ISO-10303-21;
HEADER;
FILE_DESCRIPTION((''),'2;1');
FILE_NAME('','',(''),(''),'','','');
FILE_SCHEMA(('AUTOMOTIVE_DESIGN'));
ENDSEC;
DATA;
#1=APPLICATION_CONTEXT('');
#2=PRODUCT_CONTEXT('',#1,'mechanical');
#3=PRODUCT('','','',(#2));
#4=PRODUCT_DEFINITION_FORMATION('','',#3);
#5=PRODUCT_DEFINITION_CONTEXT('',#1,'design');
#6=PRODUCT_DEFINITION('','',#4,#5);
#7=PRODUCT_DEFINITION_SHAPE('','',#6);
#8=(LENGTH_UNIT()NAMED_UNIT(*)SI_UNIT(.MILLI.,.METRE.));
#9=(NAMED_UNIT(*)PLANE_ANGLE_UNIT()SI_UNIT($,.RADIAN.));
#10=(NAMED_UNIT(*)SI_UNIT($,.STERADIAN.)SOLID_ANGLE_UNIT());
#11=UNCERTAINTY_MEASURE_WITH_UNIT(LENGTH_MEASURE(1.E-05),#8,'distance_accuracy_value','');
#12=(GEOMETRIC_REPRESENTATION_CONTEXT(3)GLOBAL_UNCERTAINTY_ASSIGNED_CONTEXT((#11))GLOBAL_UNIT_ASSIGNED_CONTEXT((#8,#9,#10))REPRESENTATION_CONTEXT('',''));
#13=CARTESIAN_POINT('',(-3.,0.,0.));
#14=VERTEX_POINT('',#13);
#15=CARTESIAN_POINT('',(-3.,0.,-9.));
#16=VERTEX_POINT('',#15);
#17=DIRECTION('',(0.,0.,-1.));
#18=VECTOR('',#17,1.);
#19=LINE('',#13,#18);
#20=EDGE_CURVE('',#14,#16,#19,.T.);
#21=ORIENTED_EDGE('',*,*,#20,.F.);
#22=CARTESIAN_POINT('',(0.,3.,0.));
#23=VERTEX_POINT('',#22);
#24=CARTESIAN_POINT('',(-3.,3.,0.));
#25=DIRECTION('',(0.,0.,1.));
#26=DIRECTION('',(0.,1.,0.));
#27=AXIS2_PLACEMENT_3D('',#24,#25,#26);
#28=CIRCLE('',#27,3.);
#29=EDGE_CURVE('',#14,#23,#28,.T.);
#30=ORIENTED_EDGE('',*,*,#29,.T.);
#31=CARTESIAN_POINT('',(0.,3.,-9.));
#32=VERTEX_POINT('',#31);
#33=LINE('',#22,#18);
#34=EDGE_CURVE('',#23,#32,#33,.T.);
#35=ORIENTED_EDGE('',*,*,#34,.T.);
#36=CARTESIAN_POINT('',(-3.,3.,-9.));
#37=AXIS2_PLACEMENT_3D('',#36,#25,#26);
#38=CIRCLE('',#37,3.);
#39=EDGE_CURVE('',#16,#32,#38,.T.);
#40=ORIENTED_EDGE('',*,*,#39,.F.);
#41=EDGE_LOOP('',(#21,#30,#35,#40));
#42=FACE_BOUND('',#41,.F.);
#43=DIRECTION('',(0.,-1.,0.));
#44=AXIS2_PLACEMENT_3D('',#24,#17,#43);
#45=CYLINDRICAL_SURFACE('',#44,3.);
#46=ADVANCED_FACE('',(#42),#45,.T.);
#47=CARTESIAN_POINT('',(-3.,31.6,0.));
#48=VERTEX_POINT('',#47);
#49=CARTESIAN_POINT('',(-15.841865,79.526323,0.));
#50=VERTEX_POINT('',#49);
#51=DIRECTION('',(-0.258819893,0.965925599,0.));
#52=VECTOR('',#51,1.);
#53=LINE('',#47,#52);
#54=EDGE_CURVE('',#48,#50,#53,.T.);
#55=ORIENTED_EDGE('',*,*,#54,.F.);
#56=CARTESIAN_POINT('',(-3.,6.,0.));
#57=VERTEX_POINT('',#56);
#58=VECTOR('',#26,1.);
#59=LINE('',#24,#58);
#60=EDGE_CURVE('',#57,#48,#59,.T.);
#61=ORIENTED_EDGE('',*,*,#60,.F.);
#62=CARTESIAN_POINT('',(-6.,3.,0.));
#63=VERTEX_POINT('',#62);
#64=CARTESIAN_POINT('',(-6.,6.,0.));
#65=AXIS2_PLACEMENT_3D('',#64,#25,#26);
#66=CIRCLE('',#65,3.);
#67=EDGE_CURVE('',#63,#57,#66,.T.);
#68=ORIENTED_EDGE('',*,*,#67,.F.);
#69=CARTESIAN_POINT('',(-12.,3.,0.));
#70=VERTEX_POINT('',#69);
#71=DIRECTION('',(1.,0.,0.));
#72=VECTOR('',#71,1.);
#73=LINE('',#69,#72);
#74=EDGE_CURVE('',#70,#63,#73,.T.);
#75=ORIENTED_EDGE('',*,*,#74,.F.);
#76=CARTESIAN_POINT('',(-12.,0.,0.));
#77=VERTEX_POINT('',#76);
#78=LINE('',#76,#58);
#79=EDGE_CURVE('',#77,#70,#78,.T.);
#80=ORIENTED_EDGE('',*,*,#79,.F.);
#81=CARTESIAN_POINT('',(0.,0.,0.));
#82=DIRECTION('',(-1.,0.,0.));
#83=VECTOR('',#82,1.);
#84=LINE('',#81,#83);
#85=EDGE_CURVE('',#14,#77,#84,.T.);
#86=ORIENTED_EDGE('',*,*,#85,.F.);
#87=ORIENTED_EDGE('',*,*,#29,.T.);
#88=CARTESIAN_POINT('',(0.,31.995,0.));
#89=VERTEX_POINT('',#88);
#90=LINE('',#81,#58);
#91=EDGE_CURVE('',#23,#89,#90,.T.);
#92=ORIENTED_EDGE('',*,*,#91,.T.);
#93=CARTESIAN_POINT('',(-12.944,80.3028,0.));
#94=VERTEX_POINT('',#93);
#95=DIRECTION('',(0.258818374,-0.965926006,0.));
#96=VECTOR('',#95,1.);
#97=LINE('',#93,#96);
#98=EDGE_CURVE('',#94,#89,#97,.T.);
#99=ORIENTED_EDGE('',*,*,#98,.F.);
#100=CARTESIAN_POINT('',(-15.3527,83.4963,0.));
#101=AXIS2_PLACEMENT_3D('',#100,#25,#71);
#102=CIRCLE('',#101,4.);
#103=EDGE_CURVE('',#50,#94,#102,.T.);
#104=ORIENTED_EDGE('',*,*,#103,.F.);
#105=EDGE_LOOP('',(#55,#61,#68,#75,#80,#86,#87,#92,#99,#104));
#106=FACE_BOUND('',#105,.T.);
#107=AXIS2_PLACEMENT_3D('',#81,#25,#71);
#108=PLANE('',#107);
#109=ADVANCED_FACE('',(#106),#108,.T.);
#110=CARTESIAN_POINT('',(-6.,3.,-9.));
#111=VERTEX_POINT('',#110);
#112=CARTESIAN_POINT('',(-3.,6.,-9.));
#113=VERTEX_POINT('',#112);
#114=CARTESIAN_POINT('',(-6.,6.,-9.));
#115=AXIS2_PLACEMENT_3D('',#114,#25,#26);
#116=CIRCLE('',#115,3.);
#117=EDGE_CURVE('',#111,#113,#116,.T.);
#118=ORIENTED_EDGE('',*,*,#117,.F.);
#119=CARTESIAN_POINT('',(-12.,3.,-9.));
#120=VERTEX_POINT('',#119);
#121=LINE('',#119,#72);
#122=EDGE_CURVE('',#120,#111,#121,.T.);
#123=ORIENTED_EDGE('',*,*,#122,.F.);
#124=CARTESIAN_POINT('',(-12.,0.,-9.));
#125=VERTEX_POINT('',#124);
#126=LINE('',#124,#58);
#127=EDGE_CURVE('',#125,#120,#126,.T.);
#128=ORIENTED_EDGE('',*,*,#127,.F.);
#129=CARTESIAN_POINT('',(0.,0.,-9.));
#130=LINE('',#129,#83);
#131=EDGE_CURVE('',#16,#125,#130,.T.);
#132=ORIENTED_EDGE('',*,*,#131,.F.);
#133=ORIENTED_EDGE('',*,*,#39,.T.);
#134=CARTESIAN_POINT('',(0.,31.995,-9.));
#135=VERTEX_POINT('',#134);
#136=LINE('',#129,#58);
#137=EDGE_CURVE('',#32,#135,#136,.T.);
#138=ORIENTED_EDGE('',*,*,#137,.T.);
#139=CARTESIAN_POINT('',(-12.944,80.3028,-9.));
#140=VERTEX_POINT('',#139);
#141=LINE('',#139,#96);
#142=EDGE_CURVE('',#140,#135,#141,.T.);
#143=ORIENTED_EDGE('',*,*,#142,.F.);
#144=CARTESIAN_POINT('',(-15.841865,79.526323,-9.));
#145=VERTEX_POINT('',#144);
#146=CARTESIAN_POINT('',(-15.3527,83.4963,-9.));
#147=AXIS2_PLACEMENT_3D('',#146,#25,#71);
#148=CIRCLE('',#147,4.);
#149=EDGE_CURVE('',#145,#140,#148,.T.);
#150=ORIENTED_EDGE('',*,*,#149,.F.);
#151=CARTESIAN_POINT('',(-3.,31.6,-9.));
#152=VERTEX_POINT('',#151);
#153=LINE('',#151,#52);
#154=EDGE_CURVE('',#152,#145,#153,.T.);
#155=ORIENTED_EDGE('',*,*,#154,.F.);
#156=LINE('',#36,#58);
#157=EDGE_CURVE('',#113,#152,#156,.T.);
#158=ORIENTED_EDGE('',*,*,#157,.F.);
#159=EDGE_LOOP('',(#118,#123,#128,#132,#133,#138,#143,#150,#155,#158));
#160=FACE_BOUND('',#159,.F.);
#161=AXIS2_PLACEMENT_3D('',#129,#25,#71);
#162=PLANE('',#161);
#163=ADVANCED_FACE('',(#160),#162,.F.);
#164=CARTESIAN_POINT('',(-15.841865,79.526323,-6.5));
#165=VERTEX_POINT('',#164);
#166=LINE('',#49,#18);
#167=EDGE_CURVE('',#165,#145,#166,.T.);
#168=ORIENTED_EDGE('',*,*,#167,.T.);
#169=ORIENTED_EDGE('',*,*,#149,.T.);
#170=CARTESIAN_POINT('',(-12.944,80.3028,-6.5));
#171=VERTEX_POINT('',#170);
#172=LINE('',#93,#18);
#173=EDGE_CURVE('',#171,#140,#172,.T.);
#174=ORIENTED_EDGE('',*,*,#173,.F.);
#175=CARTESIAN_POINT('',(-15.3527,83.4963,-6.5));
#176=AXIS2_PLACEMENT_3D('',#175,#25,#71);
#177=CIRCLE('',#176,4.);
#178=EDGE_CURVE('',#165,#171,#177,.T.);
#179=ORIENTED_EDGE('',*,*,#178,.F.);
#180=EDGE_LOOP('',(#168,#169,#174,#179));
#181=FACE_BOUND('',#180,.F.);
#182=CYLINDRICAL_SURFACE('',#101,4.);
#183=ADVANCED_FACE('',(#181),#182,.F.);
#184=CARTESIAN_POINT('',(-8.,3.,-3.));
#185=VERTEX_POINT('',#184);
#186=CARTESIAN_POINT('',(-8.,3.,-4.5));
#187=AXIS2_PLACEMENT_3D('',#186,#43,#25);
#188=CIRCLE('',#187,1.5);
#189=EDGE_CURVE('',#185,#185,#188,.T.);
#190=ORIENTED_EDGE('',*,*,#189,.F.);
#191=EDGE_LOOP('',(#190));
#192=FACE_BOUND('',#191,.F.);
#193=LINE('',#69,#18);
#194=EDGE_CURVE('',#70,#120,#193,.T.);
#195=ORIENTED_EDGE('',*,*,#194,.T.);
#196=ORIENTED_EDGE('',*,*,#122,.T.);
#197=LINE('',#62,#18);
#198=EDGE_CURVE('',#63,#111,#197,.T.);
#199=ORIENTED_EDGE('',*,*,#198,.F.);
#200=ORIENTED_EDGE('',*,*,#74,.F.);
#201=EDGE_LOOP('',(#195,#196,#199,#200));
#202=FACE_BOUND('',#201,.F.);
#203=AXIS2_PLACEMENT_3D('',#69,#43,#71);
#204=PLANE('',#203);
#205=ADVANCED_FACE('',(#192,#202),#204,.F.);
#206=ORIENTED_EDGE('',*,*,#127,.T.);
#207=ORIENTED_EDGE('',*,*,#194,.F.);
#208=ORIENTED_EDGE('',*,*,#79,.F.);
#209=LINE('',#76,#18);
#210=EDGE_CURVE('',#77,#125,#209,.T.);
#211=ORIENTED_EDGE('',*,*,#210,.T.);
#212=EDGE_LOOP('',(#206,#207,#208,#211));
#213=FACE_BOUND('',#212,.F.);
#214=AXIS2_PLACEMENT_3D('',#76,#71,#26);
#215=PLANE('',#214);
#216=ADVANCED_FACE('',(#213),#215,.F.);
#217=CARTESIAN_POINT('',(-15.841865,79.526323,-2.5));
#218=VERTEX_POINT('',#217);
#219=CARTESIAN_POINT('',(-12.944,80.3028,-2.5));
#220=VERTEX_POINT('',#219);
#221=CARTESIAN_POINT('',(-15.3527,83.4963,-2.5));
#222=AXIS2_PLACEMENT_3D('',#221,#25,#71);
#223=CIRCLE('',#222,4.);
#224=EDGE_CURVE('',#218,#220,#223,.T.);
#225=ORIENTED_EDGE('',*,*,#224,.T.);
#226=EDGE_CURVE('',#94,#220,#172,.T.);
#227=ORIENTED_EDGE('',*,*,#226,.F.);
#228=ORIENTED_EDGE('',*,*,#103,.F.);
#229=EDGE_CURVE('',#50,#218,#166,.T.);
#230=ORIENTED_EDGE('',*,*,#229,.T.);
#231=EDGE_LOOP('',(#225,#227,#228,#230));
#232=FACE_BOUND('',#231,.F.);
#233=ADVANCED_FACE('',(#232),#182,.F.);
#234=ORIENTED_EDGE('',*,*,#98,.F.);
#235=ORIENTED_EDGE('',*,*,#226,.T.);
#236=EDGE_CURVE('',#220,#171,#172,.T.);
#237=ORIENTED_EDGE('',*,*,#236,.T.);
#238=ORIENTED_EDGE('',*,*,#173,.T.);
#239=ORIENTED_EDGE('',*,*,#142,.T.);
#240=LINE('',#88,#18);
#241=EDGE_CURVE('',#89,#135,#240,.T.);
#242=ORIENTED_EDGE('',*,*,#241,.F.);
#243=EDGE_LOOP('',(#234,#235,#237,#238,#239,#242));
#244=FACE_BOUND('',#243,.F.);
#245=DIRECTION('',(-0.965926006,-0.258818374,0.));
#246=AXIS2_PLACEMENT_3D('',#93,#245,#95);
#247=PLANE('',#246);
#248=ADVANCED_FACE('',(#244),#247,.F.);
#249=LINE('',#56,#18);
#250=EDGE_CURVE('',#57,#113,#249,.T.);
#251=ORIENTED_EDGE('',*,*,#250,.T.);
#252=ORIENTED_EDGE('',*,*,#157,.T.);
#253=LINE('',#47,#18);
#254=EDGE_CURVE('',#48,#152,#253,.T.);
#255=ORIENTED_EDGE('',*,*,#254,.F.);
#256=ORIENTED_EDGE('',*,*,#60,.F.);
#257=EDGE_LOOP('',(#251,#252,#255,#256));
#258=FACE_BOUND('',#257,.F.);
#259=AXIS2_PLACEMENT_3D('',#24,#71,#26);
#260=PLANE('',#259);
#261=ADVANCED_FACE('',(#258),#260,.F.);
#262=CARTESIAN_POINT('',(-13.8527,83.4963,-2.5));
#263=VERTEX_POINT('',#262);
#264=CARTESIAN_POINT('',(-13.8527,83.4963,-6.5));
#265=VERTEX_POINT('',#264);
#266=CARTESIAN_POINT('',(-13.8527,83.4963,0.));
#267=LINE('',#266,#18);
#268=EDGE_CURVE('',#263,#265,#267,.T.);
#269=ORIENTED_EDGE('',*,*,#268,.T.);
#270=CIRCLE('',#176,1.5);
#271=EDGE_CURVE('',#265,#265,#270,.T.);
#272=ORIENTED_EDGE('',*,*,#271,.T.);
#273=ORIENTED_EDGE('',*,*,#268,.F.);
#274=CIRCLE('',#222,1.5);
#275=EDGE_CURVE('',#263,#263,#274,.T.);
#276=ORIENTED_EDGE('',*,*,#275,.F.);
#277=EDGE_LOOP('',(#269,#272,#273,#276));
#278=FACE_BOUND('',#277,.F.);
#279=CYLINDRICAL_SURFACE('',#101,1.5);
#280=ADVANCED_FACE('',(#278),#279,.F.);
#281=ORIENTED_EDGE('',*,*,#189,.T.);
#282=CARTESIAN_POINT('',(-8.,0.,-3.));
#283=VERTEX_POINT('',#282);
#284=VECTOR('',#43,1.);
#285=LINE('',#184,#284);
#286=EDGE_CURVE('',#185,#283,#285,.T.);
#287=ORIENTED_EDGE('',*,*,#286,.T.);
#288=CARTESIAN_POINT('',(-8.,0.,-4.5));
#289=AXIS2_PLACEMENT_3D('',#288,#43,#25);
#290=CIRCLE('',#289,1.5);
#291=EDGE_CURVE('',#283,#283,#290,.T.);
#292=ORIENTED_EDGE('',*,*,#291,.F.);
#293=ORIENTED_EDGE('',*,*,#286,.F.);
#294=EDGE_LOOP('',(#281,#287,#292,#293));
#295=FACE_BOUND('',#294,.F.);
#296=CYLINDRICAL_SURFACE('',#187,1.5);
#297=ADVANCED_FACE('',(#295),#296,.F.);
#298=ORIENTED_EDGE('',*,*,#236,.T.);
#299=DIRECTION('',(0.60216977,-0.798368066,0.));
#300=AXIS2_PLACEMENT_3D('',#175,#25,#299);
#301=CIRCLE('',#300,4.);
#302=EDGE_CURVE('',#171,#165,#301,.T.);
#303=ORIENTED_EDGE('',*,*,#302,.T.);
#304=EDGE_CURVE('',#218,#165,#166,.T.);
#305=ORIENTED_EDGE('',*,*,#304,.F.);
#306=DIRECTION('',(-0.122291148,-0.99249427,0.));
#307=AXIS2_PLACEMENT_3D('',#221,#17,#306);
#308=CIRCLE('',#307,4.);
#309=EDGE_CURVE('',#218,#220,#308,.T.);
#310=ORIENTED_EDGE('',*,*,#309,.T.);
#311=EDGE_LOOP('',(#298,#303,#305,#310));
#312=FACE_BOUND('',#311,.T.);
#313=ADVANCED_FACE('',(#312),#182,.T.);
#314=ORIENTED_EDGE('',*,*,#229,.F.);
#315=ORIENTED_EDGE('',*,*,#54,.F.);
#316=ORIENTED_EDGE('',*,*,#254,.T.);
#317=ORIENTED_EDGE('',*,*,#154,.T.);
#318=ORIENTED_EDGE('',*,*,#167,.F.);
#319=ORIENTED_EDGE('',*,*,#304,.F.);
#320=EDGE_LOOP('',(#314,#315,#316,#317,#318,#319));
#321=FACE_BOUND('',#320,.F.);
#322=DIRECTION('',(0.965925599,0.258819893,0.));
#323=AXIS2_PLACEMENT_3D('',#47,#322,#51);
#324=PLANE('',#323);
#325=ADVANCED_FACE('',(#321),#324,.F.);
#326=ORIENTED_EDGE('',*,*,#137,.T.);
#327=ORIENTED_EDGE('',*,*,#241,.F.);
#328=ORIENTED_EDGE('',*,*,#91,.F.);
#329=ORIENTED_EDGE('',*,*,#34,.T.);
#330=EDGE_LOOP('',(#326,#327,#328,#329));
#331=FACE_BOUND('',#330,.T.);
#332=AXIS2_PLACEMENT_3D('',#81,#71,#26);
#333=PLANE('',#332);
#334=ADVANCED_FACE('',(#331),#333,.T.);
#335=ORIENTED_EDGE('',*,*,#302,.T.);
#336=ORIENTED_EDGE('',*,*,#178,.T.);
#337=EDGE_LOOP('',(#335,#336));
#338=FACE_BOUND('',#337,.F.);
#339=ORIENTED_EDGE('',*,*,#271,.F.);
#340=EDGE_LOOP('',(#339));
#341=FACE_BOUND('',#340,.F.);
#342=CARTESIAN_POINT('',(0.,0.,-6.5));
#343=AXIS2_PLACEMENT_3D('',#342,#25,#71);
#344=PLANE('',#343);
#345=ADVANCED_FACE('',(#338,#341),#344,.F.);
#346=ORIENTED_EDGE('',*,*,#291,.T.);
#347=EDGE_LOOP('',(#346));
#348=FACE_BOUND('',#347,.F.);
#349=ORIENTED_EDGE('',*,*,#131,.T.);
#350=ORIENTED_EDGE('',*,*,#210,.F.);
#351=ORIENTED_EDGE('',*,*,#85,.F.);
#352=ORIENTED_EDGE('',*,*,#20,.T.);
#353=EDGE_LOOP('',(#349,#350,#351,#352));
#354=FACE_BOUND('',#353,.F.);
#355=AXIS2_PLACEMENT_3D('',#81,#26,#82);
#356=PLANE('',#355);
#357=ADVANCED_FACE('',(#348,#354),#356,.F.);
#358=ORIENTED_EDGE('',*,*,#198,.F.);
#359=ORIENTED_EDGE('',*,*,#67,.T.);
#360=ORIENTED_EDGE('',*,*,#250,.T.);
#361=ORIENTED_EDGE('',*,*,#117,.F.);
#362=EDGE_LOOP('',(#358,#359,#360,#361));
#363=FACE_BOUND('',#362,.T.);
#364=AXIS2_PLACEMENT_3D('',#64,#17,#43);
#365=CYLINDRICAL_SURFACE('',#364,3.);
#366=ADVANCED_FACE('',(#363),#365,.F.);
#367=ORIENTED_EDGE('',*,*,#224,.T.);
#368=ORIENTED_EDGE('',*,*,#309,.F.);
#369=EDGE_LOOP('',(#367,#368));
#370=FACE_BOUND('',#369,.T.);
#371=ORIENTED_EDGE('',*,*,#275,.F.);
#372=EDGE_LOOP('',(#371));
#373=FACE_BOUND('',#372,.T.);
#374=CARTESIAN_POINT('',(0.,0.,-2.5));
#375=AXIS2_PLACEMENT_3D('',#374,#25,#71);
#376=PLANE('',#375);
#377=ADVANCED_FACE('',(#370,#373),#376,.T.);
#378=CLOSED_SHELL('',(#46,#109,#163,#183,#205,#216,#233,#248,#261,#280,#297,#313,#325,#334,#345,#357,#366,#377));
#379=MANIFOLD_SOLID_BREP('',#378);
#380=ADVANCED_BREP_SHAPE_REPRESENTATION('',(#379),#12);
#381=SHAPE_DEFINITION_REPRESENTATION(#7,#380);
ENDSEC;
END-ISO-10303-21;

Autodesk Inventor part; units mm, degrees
ref_plane "YZ Plane" through (0, 0, 0) normal (1, 0, 0) x (0, 1, 0)
ref_plane "XZ Plane" through (0, 0, 0) normal (0, 1, 0) x (-1, 0, 0)
ref_plane "XY Plane" through (0, 0, 0) normal (0, 0, 1) x (1, 0, 0)
sketch "Sketch1" plane through (0, 0, 0) normal (0, 0, 1) x (1, 0, 0)
  line L0 (0, 0) -> (0, 31.995)
  line L1 (0, 0) -> (-12, 0)
  line L2 (-12, 0) -> (-12, 3)
  line L3 (-12, 3) -> (-3, 3)
  line L4 (-3, 3) -> (-3, 31.6)
  line L5 (-3, 31.6) -> (-15.941, 79.8963)
  line L6 (-12.944, 80.3028) -> (0, 31.995)
  circle A0 centre (-15.3527, 83.4963) radius 4
  circle A1 centre (-15.3527, 83.4963) radius 1.5
  point P0 (-15.8418, 79.5263)
  dimension "d31" = 8
  dimension "d1" = 3
  dimension "d2" = 3
  dimension "d3" = 9
  dimension "d4" = 28.6
  dimension "d27" = 165
  dimension "d28" = 3
  dimension "d29" = 50
  dimension "d32" = 1.5
  dimension "d34" = 3.6
  dimension "d35" = 3
extrude "Extrusion4" add sketch "Sketch1" against normal blind 9 contours L1 L2 L3 L4 L5 A0 L6 L0
extrude "Extrusion5" add sketch "Sketch1" against normal blind 6.5 contours A0
extrude "Extrusion6" cut sketch "Sketch1" against normal blind 2.5 contours A0
sketch "Sketch3" plane through (-12, 3, 0) normal (0, 1, 0) x (1, 0, 0)
  line L0 (0, 0) -> (12, 0) projected
  line L1 (0, 0) -> (0, 9) projected
  line L2 (12, 9) -> (0, 9) projected
  line L3 (12, 0) -> (12, 9) projected
  point P0 (4, 4.5)
  point P1 (0, 4.5)
  dimension "d42" = 4
  dimension "d43" = 4.5
hole "Hole2" at (-8, 3, -4.5) direction (0, -1, 0) diameter 3 end through all
fillet "Fillet2" radius 3 2 edges at (-3, 3, -4.5) (0, 0, -4.5)
properties part number "HUDSON-1-73A"
